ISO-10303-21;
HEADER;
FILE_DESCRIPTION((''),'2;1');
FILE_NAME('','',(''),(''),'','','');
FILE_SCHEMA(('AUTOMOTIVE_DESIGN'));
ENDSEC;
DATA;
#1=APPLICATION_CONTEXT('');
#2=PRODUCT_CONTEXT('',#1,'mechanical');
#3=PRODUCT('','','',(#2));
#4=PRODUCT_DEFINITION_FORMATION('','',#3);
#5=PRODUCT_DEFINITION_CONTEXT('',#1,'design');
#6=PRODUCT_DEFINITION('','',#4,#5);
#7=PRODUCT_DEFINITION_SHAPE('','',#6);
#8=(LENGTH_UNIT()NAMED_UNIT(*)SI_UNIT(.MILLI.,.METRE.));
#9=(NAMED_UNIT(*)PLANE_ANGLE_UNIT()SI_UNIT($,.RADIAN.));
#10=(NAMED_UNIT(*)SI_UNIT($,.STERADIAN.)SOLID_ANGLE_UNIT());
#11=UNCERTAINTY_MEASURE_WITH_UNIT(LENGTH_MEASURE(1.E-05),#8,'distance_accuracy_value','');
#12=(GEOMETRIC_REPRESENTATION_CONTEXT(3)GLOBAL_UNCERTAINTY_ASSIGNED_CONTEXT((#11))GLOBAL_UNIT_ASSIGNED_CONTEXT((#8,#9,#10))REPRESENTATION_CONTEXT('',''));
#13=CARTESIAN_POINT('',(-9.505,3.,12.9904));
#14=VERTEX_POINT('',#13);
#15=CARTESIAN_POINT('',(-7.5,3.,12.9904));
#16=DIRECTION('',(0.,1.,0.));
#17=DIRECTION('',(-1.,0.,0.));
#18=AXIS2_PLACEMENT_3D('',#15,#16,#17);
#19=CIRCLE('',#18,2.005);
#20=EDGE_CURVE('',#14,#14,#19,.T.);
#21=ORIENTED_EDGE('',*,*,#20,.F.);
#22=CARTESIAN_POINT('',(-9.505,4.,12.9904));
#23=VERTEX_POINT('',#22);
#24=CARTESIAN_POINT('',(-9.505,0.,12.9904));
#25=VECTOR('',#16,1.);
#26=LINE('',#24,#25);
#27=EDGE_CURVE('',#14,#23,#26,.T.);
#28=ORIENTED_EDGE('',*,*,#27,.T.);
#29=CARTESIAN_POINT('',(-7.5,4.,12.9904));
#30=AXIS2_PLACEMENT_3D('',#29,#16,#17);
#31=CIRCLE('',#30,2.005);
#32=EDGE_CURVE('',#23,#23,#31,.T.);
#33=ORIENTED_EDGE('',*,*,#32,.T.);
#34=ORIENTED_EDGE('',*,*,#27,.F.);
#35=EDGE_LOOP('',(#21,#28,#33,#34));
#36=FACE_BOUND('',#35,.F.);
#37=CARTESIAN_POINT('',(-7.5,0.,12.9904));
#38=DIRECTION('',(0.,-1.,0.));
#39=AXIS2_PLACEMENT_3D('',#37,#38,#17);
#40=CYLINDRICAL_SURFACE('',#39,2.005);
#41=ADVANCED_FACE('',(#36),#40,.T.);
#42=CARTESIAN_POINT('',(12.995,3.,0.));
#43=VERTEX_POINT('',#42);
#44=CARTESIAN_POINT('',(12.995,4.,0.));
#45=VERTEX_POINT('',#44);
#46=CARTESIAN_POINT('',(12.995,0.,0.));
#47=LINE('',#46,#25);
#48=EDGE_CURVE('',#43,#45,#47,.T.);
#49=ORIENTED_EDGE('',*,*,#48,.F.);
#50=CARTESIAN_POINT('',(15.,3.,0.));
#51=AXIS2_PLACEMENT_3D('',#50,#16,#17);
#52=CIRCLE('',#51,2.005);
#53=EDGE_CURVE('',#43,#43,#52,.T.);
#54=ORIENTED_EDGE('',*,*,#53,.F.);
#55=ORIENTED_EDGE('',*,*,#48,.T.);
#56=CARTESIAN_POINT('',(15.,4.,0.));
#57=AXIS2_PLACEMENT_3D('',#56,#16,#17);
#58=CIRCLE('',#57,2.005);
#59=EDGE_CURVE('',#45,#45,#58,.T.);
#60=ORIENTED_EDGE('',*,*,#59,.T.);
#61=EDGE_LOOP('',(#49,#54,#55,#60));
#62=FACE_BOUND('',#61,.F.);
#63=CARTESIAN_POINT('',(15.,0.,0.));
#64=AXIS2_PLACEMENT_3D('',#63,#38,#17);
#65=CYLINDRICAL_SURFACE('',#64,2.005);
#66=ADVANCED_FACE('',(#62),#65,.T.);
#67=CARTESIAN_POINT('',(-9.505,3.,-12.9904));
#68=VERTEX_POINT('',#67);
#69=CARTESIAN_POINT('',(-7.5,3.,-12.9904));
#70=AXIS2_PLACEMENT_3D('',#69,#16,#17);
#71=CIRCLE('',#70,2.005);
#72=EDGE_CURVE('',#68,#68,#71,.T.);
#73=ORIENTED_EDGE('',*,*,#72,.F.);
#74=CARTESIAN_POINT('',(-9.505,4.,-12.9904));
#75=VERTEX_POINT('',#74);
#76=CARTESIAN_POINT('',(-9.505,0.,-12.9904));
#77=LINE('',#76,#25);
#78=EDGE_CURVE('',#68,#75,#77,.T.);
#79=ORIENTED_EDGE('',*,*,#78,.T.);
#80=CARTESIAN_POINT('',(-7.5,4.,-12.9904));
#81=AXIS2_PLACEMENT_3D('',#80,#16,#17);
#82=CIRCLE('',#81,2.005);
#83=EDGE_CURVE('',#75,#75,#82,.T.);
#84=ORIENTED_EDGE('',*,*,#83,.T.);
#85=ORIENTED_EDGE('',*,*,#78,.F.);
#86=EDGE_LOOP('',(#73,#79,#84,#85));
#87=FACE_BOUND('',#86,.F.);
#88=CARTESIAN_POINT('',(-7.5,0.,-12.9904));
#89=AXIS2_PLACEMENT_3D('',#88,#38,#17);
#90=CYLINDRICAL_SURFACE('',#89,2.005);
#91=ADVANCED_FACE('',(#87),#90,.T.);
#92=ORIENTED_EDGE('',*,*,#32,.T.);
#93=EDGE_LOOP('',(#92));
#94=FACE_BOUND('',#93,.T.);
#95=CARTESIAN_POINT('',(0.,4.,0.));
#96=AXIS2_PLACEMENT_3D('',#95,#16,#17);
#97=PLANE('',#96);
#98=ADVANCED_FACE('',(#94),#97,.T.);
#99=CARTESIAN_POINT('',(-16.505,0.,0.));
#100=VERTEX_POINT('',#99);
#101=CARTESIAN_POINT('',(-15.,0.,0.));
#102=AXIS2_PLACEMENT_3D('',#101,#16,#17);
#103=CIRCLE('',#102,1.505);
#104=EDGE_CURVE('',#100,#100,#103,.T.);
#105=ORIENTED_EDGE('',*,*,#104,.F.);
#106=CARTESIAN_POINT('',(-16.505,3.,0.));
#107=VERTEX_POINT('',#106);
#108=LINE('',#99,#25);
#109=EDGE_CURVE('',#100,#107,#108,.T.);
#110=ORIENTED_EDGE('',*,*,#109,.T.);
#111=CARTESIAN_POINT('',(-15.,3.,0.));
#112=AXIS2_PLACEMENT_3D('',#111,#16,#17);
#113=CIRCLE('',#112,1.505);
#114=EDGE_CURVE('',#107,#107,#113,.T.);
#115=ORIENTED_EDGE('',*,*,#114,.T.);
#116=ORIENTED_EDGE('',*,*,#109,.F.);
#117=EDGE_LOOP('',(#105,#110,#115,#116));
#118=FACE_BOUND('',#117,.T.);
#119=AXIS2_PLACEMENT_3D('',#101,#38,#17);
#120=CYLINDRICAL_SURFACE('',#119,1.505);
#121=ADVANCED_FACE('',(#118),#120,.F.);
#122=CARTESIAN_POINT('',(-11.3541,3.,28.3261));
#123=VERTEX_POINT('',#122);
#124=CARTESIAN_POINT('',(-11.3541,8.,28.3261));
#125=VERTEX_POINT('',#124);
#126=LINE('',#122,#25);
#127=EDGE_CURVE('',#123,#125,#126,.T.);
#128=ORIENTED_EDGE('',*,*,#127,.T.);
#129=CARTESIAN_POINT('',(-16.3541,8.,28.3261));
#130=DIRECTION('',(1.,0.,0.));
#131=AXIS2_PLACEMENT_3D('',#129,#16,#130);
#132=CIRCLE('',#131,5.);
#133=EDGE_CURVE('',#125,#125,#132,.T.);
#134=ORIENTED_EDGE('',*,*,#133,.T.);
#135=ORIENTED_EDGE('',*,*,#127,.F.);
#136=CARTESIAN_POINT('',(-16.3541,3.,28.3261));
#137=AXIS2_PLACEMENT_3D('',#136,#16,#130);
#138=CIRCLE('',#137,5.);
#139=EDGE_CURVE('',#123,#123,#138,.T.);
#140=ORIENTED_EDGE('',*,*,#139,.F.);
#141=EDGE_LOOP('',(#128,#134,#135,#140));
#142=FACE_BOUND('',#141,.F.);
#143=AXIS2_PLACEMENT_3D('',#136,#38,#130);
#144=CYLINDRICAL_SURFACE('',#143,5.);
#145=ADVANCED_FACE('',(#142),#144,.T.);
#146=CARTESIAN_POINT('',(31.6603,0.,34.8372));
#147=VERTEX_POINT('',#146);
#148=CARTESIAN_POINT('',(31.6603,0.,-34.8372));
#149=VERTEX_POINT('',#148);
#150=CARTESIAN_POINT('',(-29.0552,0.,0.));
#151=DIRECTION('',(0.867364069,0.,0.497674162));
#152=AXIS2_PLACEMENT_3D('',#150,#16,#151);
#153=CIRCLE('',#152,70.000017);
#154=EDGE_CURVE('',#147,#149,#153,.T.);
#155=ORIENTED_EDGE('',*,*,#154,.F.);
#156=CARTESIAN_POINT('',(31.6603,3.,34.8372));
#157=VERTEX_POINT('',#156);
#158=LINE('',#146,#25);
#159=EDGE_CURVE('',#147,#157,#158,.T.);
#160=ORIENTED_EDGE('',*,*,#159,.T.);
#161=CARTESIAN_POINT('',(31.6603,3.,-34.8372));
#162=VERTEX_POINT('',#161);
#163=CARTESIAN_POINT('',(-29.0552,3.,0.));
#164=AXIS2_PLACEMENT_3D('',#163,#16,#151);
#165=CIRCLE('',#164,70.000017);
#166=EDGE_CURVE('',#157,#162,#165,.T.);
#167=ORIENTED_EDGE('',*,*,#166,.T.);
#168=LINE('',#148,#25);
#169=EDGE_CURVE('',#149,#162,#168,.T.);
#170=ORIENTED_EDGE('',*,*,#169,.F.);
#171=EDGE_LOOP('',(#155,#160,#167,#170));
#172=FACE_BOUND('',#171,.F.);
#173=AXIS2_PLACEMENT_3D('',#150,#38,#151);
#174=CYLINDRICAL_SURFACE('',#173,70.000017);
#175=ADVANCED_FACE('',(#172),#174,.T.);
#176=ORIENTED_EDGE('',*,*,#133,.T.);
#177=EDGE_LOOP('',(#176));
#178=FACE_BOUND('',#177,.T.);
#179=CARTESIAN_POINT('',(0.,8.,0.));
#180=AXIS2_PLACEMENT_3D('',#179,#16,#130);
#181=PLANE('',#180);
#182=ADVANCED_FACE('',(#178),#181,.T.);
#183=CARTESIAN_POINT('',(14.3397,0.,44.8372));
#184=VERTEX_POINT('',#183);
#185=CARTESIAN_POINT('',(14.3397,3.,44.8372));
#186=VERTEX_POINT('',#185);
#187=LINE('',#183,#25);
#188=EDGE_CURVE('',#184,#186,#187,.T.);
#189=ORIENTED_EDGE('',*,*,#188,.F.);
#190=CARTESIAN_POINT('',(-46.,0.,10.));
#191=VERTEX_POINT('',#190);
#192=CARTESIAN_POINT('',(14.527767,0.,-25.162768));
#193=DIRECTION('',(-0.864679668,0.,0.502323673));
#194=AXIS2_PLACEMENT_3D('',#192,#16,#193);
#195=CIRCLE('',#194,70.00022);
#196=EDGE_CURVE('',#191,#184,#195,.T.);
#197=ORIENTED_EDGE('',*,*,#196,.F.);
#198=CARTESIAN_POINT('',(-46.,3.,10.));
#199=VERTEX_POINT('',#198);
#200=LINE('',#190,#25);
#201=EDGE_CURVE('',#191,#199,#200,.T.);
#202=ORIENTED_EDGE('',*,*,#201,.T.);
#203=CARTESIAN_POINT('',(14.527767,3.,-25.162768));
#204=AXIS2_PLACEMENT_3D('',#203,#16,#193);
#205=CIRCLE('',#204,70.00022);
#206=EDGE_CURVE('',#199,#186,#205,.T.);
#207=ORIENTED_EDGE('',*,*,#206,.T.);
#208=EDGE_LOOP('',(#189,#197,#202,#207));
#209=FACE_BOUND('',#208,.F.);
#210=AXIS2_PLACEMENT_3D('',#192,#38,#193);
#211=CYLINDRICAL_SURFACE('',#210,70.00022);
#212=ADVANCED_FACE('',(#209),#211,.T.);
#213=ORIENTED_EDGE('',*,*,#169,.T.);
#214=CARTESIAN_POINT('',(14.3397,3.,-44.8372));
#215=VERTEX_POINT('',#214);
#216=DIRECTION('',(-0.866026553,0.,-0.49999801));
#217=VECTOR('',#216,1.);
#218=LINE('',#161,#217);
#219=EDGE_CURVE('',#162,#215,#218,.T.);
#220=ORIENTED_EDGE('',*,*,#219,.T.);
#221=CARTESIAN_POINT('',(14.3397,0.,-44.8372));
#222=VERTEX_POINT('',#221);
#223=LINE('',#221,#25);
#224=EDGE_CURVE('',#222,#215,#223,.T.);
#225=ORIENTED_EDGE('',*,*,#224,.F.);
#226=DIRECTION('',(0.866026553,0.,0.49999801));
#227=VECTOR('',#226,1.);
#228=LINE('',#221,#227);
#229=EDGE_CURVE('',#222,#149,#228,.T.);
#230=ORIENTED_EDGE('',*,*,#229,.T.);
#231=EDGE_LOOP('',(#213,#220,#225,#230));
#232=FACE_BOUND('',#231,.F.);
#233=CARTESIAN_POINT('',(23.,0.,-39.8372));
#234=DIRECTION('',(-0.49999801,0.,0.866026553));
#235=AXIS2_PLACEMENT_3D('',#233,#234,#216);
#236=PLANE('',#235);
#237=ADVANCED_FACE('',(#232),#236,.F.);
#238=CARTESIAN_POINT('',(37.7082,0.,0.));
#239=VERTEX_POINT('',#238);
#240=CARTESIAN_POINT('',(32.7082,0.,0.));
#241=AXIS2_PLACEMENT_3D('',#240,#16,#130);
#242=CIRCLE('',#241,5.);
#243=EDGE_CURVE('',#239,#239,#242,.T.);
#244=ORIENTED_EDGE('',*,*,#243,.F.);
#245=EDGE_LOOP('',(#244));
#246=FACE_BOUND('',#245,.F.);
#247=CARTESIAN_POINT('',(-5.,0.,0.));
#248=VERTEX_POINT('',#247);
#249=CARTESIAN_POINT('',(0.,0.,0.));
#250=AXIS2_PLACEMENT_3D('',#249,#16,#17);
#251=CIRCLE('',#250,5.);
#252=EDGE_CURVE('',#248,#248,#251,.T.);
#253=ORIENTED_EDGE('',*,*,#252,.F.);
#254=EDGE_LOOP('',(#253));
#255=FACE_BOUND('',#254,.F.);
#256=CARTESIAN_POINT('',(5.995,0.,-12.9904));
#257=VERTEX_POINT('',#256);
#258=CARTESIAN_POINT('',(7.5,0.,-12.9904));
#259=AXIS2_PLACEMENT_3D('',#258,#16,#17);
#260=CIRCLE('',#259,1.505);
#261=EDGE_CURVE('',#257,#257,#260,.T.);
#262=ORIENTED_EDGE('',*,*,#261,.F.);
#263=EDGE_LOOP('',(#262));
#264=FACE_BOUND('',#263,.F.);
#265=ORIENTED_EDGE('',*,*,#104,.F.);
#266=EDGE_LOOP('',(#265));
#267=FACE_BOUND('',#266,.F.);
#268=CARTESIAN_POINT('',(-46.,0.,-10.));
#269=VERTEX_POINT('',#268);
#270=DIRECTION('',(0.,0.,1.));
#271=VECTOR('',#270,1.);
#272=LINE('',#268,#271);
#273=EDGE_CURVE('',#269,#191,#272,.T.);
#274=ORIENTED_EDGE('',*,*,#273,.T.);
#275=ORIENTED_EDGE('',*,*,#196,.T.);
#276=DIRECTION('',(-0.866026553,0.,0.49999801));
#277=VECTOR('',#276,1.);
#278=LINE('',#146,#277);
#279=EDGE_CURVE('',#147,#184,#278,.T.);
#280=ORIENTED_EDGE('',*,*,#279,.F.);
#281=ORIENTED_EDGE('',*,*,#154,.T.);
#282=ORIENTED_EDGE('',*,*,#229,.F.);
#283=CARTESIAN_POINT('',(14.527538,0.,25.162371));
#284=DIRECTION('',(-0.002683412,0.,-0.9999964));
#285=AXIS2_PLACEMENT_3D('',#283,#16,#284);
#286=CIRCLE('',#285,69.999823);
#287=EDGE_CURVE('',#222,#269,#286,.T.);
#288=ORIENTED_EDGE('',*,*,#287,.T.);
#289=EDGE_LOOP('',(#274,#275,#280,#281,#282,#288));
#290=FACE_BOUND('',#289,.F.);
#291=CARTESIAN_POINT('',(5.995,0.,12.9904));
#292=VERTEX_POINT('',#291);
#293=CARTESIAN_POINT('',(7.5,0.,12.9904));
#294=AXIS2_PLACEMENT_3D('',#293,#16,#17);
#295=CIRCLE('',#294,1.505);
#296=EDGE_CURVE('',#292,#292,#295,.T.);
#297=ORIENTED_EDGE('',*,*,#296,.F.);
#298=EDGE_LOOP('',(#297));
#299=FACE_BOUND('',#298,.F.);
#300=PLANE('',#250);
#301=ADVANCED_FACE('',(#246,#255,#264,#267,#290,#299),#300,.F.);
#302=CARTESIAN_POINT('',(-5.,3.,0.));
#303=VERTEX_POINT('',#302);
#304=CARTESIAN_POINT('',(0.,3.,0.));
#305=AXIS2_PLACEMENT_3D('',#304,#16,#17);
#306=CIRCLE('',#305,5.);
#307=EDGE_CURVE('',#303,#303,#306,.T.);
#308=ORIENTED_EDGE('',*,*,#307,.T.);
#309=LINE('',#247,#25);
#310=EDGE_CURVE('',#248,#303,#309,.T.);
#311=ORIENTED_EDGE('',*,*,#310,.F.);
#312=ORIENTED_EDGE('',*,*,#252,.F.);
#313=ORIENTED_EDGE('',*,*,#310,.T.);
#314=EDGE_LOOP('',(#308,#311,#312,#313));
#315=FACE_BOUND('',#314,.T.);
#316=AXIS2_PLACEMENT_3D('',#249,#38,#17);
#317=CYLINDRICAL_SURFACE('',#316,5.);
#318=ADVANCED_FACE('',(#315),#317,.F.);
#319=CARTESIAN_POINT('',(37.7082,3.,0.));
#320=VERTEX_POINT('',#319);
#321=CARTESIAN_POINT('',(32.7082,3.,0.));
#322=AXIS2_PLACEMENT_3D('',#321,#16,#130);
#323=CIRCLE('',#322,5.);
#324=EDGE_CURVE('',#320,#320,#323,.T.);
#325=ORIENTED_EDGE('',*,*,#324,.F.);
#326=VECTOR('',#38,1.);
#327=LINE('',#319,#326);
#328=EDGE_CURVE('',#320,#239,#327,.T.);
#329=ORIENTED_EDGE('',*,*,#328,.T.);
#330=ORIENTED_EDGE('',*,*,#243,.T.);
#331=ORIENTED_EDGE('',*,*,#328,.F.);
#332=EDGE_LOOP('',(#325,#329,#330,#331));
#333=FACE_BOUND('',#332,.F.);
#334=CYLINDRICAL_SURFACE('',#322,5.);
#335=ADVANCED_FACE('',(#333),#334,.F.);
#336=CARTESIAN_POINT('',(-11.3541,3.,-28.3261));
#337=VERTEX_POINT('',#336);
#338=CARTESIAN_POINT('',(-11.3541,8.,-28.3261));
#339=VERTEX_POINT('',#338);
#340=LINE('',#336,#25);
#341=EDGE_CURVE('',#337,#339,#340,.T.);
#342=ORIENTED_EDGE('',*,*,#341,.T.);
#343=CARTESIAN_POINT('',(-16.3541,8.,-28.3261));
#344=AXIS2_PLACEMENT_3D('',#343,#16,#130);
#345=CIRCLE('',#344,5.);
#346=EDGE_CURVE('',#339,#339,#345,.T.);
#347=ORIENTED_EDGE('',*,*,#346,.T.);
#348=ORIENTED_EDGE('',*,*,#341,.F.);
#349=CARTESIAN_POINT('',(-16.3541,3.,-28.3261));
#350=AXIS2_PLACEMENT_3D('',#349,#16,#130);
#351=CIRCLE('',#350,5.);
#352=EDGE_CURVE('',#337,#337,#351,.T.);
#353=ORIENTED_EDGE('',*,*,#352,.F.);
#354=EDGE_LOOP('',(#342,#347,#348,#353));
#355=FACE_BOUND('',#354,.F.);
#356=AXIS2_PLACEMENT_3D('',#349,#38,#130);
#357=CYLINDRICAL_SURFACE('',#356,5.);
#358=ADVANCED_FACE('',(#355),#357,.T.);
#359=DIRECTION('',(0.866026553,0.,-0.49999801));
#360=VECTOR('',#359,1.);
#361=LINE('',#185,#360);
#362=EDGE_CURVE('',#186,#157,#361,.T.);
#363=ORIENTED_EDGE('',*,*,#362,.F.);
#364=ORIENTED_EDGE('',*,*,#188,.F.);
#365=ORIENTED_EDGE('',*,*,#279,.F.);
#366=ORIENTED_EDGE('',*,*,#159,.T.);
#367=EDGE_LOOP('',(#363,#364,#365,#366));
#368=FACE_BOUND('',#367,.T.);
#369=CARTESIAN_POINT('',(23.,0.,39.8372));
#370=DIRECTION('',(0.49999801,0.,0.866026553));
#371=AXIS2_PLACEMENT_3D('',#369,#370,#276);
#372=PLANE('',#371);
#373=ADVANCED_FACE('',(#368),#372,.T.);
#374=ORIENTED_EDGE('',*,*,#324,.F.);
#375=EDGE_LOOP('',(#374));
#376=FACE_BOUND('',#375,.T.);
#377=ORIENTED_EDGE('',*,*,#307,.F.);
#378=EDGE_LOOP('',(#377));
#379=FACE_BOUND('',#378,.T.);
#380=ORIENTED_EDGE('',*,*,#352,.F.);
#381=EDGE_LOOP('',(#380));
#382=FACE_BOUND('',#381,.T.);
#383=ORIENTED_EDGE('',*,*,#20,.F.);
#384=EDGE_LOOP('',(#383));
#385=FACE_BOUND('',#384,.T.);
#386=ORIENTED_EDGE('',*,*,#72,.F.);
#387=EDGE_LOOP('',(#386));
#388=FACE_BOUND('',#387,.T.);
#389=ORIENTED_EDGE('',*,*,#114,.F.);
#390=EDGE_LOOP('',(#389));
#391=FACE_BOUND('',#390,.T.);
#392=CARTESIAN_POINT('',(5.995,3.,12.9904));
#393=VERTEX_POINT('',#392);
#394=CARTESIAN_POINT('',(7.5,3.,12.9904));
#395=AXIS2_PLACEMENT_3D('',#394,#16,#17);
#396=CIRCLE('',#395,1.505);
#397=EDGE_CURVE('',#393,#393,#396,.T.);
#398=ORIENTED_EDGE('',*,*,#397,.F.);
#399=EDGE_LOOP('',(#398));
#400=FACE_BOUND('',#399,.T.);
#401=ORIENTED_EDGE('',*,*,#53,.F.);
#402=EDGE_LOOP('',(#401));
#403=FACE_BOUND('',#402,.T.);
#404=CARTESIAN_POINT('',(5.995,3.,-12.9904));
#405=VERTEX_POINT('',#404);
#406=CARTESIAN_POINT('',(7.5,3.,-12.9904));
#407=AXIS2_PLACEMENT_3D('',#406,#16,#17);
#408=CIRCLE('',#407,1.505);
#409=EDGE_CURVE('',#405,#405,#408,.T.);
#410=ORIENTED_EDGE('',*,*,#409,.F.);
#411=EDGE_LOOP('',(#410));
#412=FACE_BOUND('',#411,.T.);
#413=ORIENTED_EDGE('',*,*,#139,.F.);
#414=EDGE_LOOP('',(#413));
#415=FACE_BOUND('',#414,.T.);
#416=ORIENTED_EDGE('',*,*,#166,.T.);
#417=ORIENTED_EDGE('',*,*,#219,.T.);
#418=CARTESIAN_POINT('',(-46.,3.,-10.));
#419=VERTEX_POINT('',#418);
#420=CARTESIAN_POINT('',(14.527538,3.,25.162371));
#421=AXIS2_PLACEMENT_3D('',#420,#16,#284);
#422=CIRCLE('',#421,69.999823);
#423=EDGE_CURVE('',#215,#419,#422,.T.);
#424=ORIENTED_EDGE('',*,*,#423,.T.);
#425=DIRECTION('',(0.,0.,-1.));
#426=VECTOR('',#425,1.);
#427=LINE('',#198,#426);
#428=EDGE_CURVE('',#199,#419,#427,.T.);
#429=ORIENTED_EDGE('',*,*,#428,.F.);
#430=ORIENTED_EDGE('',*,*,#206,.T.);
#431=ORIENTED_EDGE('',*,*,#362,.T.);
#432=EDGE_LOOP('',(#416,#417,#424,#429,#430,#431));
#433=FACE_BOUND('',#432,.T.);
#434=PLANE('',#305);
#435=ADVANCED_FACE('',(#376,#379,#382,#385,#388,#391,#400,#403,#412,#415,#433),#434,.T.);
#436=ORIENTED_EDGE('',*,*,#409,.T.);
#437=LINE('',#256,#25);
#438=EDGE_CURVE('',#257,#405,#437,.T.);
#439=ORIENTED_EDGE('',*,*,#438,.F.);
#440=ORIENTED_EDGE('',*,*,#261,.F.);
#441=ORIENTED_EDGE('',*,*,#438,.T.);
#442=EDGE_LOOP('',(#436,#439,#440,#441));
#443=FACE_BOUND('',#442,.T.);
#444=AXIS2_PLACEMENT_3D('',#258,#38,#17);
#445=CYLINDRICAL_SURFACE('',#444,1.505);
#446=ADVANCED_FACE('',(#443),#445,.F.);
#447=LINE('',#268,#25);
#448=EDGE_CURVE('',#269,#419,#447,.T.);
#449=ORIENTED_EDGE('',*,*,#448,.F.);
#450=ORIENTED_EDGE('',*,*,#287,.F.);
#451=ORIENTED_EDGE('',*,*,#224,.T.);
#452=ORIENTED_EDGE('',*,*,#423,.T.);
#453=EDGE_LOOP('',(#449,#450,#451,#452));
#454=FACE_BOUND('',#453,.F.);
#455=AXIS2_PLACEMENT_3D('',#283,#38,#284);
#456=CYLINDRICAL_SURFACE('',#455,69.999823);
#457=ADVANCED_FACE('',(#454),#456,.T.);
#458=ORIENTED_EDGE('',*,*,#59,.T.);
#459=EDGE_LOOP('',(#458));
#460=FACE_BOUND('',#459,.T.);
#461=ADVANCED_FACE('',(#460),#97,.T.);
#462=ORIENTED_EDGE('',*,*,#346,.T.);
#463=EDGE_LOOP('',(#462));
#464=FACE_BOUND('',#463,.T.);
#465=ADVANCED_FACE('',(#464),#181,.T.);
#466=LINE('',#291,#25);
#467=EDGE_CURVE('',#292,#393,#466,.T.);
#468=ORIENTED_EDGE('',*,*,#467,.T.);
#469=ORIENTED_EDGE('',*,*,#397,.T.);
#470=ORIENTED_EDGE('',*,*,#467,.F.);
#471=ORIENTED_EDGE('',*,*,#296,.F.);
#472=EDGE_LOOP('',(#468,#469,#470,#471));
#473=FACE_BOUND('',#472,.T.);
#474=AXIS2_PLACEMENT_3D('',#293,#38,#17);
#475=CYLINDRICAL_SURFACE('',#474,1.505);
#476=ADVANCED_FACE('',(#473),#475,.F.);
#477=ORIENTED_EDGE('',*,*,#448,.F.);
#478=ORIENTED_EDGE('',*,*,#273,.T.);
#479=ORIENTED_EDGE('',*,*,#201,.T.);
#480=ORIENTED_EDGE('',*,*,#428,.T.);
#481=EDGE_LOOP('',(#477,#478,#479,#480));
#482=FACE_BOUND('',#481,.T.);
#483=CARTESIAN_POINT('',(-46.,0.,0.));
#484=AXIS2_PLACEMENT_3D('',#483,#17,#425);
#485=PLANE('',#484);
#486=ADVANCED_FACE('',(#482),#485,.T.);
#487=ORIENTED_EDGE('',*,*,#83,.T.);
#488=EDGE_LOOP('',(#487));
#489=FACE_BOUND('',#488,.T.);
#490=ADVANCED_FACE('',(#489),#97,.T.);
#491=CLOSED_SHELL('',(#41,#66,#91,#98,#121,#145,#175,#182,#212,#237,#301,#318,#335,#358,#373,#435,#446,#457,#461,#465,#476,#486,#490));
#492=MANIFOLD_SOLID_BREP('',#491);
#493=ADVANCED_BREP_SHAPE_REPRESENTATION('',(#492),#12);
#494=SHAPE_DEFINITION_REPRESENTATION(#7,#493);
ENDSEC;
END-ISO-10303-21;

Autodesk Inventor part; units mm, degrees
ref_plane "YZ Plane" through (0, 0, 0) normal (1, 0, 0) x (0, 1, 0)
ref_plane "XZ Plane" through (0, 0, 0) normal (0, 1, 0) x (-1, 0, 0)
ref_plane "XY Plane" through (0, 0, 0) normal (0, 0, 1) x (1, 0, 0)
sketch "Sketch1" plane through (0, 0, 0) normal (0, 1, 0) x (-1, 0, 0)
  circle A0 centre (0, 0) radius 25
  circle A1 centre (0, 0) radius 5
  circle A2 centre (15, 0) radius 1.505
  line L0 (46, 0) -> (46, -10)
  line L1 (46, -10) -> (40, -10)
  line L2 (34, 0) -> (34, -10)
  line L3 (34, -10) -> (40, -10)
  line L4 (34, 0) -> (46, 0)
  line L5 (46, 0) -> (46, 10)
  line L6 (46, 10) -> (34, 10)
  line L7 (34, 10) -> (34, 0)
  line L8 (-23, 39.8372) -> (-14.3397, 44.8372)
  line L9 (-14.3397, 44.8372) -> (-11.3397, 39.641)
  line L10 (-17, 29.4449) -> (-8.3397, 34.4449)
  line L11 (-8.3397, 34.4449) -> (-11.3397, 39.641)
  line L12 (-17, 29.4449) -> (-23, 39.8372)
  line L13 (-23, 39.8372) -> (-31.6603, 34.8372)
  line L14 (-31.6603, 34.8372) -> (-25.6603, 24.4449)
  line L15 (-25.6603, 24.4449) -> (-17, 29.4449)
  line L16 (-23, -39.8372) -> (-31.6603, -34.8372)
  line L17 (-31.6603, -34.8372) -> (-28.6603, -29.641)
  line L18 (-17, -29.4449) -> (-25.6603, -24.4449)
  line L19 (-25.6603, -24.4449) -> (-28.6603, -29.641)
  line L20 (-17, -29.4449) -> (-23, -39.8372)
  line L21 (-23, -39.8372) -> (-14.3397, -44.8372)
  line L22 (-14.3397, -44.8372) -> (-8.3397, -34.4449)
  line L23 (-8.3397, -34.4449) -> (-17, -29.4449)
  circle A3 centre (-7.5, 12.9904) radius 1.505
  circle A4 centre (-7.5, -12.9904) radius 1.505
  circle A5 centre (-15, 0) radius 2.005
  circle A6 centre (7.5, -12.9904) radius 2.005
  circle A7 centre (7.5, 12.9904) radius 2.005
  arc A8 (46, 10) -> (-14.3397, 44.8372) centre (-14.5276, -25.1626) ccw
  arc A9 (-14.3397, -44.8372) -> (46, -10) centre (-14.5276, 25.1626) ccw
  arc A10 (-31.6603, 34.8372) -> (-31.6603, -34.8372) centre (29.0552, 0) ccw
  point P0 (40, 0)
  dimension "d22" = 360
  dimension "d26" = 360
  dimension "d32" = 360
  dimension "d34" = 70
  dimension "d35" = 70
  dimension "d36" = 70
  dimension "d90" = 10
extrude "Extrusion1" add sketch "Sketch1" along normal blind 3 contours L0 L1 L3 L2 L4 | L4 L7 L6 L5 | A9 L22 L23 L18 L19 L17 A10 L14 L15 L10 L11 L9 A8 L6 L7 L2 L3 L1 | L21 L20 L23 L22 | L9 L11 L10 L12 L8 | L16 L17 L19 L18 L20 | L12 L15 L14 L13
sketch "Sketch2" plane through (0, 3, 0) normal (0, 1, 0) x (1, 0, 0)
  circle A0 centre (32.7082, 0) radius 5
  circle A1 centre (-16.3541, 28.3261) radius 5
  circle A2 centre (-16.3541, -28.3261) radius 5
  point P0 (0, 0)
  dimension "d43" = 10
  dimension "d46" = 360
extrude "Extrusion4" add sketch "Sketch2" along normal blind 5 contours A1 | A2
extrude "Extrusion7" add sketch "Sketch1" along normal blind 3 contours A0
sketch "Sketch8" plane through (0, 3, 0) normal (0, 1, 0) x (1, 0, 0)
  point P0 (0, 0)
extrude "Extrusion9" add sketch "Sketch1" along normal blind 4 contours A5 | A6 | A7
extrude "Extrusion10" cut sketch "Sketch2" against normal blind 5 contours A0
equation "\"BendRadius\" = Thickness"
equation "\"BendReliefWidth\" = Thickness"
equation "\"BendReliefDepth\" = 0.5 * Thickness"
equation "\"CornerReliefSize\" = 4 * Thickness"
equation "\"MinimumRemnant\" = 2 * Thickness"
equation "\"TransitionRadius\" = BendRadius"
equation "\"JacobiRadiusSize\" = BendRadius"
equation "\"GapSize\" = Thickness"
equation "\"Thickness\" = 0.5"
properties part number "Tool_1"
